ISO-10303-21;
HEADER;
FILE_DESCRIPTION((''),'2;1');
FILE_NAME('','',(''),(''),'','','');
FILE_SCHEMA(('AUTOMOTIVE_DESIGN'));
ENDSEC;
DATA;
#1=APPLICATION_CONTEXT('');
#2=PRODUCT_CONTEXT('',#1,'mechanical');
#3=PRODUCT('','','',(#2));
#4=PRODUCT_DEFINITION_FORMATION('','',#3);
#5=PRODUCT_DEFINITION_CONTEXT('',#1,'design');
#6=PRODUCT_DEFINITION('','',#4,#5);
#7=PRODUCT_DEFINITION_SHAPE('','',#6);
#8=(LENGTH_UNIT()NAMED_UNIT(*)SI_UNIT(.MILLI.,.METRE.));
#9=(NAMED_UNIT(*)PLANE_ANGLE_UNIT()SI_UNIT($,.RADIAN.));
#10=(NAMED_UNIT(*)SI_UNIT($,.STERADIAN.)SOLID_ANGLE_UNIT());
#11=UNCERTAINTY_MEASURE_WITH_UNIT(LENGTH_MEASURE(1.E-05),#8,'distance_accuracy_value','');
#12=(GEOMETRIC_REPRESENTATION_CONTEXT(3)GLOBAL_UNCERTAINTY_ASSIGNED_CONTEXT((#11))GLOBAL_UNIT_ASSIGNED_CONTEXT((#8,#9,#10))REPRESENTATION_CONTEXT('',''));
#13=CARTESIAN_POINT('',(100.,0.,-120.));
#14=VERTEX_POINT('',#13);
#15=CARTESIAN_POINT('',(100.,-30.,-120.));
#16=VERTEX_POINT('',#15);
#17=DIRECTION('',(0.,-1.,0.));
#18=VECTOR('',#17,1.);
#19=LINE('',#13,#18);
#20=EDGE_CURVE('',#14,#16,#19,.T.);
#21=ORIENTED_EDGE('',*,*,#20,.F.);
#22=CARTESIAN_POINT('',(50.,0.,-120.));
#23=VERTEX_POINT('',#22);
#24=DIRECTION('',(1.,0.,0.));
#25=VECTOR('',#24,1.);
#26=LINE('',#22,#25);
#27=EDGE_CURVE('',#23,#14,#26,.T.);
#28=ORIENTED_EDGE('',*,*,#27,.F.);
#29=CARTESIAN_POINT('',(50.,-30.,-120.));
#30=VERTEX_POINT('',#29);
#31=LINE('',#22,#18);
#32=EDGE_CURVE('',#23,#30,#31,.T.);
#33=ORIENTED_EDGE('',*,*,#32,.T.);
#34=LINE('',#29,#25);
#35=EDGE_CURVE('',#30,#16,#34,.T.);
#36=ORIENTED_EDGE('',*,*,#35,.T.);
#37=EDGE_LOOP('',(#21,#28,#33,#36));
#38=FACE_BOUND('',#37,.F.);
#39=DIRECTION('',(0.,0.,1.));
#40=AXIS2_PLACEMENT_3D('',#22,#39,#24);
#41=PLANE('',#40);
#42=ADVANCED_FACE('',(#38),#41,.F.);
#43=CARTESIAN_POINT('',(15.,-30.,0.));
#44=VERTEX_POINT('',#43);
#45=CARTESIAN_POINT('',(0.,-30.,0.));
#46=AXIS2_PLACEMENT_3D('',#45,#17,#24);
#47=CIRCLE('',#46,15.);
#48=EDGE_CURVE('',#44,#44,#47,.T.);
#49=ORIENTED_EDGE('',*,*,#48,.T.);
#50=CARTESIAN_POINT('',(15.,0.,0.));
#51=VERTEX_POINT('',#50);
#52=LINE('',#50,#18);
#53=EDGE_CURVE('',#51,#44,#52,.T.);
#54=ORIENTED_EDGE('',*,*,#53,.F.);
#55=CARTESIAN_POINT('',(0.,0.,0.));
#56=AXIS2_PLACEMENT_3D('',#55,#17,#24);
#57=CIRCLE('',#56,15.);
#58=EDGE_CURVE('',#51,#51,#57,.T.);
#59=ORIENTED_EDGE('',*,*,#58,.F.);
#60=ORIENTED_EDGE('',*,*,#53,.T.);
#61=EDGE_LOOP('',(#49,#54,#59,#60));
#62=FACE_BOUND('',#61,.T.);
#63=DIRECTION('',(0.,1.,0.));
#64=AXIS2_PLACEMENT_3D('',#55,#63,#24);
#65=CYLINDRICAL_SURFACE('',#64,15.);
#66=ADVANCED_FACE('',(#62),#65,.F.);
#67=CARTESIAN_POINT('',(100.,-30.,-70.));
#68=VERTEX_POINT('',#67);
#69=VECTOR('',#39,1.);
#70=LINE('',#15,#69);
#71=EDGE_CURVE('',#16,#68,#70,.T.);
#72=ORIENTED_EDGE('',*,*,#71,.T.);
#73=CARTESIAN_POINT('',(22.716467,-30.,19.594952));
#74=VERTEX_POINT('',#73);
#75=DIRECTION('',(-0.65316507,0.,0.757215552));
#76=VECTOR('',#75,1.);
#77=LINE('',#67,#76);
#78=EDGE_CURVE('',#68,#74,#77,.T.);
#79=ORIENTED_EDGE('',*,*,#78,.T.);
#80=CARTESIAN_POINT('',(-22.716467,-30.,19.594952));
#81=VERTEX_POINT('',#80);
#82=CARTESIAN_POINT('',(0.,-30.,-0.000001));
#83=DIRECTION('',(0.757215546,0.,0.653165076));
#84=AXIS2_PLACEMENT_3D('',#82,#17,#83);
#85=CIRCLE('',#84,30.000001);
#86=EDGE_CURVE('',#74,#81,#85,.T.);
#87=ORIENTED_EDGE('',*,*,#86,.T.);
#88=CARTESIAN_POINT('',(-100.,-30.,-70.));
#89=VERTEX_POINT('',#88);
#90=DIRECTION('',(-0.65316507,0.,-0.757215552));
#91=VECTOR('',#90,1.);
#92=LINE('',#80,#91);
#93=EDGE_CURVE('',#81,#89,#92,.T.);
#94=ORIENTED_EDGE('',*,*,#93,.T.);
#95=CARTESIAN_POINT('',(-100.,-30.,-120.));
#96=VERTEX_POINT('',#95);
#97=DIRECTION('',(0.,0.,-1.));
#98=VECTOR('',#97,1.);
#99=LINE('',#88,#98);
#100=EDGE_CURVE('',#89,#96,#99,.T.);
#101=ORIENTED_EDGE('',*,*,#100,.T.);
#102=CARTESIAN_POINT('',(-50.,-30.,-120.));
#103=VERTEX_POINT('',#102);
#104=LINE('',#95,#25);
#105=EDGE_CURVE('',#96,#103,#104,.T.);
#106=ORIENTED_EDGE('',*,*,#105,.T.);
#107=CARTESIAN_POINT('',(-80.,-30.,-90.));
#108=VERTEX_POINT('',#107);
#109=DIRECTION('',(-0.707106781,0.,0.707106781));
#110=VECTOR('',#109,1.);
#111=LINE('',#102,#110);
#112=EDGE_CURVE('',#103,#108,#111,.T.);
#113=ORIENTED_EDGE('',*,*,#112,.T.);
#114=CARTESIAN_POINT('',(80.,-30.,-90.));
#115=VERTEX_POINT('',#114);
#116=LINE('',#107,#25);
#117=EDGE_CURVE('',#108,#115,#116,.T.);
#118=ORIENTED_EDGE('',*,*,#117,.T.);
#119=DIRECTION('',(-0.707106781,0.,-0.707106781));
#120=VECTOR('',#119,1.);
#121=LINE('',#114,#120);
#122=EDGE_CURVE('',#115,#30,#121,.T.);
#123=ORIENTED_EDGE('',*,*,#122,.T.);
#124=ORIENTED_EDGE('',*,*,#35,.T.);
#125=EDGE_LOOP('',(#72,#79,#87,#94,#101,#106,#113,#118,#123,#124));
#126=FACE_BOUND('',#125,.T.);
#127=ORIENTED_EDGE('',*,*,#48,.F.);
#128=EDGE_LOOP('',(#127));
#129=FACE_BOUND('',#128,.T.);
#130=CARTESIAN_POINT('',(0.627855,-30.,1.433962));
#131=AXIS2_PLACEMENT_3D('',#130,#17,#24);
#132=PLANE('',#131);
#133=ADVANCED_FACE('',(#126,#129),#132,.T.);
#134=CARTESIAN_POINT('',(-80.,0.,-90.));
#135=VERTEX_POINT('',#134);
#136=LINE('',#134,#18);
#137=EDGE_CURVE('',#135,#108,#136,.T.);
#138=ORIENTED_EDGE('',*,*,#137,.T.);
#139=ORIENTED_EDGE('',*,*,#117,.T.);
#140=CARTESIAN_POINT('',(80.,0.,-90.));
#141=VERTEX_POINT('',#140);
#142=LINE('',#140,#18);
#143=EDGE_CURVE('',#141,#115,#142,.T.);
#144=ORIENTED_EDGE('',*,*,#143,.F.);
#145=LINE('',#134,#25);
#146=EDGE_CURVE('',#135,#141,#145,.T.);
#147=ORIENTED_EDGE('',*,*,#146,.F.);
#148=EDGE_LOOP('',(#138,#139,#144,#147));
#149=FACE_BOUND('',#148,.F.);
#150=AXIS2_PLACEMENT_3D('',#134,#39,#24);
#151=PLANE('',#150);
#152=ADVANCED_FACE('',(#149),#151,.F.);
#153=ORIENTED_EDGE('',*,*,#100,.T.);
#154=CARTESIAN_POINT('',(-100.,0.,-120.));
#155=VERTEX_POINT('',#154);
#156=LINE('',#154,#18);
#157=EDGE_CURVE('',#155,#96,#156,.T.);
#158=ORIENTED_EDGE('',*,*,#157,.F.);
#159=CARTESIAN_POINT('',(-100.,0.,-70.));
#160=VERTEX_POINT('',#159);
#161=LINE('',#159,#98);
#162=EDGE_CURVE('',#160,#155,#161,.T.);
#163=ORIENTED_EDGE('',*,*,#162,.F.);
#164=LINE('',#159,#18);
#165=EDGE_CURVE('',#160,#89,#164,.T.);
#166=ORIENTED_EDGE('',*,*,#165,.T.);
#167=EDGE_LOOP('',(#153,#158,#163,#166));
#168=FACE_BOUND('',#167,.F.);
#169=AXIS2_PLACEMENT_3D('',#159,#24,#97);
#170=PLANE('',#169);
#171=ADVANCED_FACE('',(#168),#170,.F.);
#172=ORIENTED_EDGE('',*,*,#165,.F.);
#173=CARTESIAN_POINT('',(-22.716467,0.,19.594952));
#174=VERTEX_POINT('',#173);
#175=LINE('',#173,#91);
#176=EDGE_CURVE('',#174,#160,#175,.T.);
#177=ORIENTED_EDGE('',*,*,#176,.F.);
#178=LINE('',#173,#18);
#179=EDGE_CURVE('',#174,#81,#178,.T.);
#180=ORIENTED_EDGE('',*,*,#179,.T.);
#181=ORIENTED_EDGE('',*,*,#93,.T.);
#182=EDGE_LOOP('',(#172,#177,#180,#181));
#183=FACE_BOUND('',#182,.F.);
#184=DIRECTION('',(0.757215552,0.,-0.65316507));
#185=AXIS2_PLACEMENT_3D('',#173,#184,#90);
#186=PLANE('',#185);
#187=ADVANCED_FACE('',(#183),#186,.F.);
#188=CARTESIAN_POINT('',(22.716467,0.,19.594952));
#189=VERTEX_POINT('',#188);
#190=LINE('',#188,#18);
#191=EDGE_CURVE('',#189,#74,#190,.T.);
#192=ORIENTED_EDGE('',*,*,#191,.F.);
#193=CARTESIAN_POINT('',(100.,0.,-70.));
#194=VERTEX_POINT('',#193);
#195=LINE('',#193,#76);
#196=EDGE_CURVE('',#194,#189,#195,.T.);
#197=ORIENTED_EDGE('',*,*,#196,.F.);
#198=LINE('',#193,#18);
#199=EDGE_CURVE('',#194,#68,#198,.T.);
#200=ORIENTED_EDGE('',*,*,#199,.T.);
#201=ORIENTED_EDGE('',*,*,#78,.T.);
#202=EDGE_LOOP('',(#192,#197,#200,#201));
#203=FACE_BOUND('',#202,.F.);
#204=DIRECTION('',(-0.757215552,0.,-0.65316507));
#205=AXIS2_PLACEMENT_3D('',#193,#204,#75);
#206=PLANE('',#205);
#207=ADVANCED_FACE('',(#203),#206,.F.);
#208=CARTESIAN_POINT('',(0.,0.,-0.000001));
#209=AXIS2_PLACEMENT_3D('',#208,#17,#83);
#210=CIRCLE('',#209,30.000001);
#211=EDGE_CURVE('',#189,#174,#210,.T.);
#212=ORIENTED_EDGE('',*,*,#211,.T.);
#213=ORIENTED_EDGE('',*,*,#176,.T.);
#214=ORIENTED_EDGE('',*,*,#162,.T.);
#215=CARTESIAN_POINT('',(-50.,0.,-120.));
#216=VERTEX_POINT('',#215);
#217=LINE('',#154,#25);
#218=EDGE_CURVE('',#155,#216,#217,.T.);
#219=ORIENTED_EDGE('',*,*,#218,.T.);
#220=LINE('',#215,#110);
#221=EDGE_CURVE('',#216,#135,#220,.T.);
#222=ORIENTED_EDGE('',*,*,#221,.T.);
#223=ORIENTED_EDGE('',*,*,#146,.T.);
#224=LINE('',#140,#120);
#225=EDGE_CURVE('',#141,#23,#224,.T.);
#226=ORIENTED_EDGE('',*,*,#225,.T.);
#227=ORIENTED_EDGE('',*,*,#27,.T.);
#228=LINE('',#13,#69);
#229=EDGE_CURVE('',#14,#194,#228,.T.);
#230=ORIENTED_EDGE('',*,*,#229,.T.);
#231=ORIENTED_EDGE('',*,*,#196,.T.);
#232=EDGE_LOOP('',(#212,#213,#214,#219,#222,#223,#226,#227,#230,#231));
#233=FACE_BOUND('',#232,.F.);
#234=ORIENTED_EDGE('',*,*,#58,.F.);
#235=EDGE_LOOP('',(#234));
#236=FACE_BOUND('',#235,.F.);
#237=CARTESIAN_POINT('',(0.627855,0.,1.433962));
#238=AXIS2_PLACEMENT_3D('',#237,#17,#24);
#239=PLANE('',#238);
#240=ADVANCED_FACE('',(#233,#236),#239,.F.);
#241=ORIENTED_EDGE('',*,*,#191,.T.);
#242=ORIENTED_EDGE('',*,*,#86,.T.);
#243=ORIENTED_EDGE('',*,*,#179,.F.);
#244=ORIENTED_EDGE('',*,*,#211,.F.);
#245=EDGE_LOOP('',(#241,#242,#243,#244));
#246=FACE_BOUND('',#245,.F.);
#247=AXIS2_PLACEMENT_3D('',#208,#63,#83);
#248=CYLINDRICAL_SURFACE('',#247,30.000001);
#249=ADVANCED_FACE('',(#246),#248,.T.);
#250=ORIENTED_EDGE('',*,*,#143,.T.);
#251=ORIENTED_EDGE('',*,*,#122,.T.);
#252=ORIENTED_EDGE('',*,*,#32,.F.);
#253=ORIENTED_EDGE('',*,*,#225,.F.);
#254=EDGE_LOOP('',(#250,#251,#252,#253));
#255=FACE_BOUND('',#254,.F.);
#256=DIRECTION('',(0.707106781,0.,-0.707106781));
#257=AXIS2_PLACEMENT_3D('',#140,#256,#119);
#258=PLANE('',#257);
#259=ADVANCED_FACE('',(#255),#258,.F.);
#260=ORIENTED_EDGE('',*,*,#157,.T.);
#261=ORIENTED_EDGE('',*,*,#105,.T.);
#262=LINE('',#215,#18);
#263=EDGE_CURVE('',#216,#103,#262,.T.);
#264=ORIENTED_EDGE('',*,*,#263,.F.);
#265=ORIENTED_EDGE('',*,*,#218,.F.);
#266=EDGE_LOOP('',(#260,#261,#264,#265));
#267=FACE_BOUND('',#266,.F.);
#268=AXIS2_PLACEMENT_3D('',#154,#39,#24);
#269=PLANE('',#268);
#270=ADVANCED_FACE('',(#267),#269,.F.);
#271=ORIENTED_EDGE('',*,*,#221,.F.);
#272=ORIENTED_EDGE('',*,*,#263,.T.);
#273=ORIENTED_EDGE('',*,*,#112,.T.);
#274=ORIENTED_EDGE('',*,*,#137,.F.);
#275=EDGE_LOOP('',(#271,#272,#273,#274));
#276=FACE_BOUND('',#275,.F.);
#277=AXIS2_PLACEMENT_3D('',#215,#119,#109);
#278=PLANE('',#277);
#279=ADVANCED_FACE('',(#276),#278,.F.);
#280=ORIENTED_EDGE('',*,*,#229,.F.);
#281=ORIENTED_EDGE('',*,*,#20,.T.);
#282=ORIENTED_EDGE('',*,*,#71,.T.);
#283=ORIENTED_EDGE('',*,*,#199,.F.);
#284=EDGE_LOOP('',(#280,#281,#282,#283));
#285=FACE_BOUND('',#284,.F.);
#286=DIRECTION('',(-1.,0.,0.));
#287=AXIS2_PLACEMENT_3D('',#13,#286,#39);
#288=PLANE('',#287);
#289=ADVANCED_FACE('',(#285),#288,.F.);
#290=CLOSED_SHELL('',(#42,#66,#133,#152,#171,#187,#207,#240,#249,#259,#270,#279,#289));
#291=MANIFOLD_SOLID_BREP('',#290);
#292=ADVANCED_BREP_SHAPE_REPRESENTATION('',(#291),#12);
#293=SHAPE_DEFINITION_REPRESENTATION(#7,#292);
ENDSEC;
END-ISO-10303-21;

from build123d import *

# Parameters (mm, degrees)
F0_R     = 15
F1_DEPTH = 30


with BuildPart() as f1:
    # F0 (on Front) → F1 (new body)
    with BuildSketch(Plane.XZ):
        with BuildLine():
            ThreePointArc((-22.716467, 19.594952), (-10.452416, -28.120224), (30, 0))
            ThreePointArc((30, 0), (28.120224, 10.452416), (22.716467, 19.594952))
            ThreePointArc((22.716467, 19.594952), (0, 30), (-22.716467, 19.594952))
        make_face()
        Circle(F0_R, mode=Mode.SUBTRACT)
        with BuildLine():
            ThreePointArc((22.716467, 19.594952), (28.120224, 10.452416), (30, 0))
            ThreePointArc((30, 0), (-10.452416, -28.120224), (-22.716467, 19.594952))
            Line((-22.716467, 19.594952), (-100, -70))
            Line((-100, -70), (100, -70))
            Line((100, -70), (22.716467, 19.594952))
        make_face()
        Polygon((100, -120), (100, -70), (-100, -70), (-100, -120), (-50, -120), (-80, -90), (80, -90), (50, -120), align=None)
    extrude(amount=F1_DEPTH)


solid = f1.part
